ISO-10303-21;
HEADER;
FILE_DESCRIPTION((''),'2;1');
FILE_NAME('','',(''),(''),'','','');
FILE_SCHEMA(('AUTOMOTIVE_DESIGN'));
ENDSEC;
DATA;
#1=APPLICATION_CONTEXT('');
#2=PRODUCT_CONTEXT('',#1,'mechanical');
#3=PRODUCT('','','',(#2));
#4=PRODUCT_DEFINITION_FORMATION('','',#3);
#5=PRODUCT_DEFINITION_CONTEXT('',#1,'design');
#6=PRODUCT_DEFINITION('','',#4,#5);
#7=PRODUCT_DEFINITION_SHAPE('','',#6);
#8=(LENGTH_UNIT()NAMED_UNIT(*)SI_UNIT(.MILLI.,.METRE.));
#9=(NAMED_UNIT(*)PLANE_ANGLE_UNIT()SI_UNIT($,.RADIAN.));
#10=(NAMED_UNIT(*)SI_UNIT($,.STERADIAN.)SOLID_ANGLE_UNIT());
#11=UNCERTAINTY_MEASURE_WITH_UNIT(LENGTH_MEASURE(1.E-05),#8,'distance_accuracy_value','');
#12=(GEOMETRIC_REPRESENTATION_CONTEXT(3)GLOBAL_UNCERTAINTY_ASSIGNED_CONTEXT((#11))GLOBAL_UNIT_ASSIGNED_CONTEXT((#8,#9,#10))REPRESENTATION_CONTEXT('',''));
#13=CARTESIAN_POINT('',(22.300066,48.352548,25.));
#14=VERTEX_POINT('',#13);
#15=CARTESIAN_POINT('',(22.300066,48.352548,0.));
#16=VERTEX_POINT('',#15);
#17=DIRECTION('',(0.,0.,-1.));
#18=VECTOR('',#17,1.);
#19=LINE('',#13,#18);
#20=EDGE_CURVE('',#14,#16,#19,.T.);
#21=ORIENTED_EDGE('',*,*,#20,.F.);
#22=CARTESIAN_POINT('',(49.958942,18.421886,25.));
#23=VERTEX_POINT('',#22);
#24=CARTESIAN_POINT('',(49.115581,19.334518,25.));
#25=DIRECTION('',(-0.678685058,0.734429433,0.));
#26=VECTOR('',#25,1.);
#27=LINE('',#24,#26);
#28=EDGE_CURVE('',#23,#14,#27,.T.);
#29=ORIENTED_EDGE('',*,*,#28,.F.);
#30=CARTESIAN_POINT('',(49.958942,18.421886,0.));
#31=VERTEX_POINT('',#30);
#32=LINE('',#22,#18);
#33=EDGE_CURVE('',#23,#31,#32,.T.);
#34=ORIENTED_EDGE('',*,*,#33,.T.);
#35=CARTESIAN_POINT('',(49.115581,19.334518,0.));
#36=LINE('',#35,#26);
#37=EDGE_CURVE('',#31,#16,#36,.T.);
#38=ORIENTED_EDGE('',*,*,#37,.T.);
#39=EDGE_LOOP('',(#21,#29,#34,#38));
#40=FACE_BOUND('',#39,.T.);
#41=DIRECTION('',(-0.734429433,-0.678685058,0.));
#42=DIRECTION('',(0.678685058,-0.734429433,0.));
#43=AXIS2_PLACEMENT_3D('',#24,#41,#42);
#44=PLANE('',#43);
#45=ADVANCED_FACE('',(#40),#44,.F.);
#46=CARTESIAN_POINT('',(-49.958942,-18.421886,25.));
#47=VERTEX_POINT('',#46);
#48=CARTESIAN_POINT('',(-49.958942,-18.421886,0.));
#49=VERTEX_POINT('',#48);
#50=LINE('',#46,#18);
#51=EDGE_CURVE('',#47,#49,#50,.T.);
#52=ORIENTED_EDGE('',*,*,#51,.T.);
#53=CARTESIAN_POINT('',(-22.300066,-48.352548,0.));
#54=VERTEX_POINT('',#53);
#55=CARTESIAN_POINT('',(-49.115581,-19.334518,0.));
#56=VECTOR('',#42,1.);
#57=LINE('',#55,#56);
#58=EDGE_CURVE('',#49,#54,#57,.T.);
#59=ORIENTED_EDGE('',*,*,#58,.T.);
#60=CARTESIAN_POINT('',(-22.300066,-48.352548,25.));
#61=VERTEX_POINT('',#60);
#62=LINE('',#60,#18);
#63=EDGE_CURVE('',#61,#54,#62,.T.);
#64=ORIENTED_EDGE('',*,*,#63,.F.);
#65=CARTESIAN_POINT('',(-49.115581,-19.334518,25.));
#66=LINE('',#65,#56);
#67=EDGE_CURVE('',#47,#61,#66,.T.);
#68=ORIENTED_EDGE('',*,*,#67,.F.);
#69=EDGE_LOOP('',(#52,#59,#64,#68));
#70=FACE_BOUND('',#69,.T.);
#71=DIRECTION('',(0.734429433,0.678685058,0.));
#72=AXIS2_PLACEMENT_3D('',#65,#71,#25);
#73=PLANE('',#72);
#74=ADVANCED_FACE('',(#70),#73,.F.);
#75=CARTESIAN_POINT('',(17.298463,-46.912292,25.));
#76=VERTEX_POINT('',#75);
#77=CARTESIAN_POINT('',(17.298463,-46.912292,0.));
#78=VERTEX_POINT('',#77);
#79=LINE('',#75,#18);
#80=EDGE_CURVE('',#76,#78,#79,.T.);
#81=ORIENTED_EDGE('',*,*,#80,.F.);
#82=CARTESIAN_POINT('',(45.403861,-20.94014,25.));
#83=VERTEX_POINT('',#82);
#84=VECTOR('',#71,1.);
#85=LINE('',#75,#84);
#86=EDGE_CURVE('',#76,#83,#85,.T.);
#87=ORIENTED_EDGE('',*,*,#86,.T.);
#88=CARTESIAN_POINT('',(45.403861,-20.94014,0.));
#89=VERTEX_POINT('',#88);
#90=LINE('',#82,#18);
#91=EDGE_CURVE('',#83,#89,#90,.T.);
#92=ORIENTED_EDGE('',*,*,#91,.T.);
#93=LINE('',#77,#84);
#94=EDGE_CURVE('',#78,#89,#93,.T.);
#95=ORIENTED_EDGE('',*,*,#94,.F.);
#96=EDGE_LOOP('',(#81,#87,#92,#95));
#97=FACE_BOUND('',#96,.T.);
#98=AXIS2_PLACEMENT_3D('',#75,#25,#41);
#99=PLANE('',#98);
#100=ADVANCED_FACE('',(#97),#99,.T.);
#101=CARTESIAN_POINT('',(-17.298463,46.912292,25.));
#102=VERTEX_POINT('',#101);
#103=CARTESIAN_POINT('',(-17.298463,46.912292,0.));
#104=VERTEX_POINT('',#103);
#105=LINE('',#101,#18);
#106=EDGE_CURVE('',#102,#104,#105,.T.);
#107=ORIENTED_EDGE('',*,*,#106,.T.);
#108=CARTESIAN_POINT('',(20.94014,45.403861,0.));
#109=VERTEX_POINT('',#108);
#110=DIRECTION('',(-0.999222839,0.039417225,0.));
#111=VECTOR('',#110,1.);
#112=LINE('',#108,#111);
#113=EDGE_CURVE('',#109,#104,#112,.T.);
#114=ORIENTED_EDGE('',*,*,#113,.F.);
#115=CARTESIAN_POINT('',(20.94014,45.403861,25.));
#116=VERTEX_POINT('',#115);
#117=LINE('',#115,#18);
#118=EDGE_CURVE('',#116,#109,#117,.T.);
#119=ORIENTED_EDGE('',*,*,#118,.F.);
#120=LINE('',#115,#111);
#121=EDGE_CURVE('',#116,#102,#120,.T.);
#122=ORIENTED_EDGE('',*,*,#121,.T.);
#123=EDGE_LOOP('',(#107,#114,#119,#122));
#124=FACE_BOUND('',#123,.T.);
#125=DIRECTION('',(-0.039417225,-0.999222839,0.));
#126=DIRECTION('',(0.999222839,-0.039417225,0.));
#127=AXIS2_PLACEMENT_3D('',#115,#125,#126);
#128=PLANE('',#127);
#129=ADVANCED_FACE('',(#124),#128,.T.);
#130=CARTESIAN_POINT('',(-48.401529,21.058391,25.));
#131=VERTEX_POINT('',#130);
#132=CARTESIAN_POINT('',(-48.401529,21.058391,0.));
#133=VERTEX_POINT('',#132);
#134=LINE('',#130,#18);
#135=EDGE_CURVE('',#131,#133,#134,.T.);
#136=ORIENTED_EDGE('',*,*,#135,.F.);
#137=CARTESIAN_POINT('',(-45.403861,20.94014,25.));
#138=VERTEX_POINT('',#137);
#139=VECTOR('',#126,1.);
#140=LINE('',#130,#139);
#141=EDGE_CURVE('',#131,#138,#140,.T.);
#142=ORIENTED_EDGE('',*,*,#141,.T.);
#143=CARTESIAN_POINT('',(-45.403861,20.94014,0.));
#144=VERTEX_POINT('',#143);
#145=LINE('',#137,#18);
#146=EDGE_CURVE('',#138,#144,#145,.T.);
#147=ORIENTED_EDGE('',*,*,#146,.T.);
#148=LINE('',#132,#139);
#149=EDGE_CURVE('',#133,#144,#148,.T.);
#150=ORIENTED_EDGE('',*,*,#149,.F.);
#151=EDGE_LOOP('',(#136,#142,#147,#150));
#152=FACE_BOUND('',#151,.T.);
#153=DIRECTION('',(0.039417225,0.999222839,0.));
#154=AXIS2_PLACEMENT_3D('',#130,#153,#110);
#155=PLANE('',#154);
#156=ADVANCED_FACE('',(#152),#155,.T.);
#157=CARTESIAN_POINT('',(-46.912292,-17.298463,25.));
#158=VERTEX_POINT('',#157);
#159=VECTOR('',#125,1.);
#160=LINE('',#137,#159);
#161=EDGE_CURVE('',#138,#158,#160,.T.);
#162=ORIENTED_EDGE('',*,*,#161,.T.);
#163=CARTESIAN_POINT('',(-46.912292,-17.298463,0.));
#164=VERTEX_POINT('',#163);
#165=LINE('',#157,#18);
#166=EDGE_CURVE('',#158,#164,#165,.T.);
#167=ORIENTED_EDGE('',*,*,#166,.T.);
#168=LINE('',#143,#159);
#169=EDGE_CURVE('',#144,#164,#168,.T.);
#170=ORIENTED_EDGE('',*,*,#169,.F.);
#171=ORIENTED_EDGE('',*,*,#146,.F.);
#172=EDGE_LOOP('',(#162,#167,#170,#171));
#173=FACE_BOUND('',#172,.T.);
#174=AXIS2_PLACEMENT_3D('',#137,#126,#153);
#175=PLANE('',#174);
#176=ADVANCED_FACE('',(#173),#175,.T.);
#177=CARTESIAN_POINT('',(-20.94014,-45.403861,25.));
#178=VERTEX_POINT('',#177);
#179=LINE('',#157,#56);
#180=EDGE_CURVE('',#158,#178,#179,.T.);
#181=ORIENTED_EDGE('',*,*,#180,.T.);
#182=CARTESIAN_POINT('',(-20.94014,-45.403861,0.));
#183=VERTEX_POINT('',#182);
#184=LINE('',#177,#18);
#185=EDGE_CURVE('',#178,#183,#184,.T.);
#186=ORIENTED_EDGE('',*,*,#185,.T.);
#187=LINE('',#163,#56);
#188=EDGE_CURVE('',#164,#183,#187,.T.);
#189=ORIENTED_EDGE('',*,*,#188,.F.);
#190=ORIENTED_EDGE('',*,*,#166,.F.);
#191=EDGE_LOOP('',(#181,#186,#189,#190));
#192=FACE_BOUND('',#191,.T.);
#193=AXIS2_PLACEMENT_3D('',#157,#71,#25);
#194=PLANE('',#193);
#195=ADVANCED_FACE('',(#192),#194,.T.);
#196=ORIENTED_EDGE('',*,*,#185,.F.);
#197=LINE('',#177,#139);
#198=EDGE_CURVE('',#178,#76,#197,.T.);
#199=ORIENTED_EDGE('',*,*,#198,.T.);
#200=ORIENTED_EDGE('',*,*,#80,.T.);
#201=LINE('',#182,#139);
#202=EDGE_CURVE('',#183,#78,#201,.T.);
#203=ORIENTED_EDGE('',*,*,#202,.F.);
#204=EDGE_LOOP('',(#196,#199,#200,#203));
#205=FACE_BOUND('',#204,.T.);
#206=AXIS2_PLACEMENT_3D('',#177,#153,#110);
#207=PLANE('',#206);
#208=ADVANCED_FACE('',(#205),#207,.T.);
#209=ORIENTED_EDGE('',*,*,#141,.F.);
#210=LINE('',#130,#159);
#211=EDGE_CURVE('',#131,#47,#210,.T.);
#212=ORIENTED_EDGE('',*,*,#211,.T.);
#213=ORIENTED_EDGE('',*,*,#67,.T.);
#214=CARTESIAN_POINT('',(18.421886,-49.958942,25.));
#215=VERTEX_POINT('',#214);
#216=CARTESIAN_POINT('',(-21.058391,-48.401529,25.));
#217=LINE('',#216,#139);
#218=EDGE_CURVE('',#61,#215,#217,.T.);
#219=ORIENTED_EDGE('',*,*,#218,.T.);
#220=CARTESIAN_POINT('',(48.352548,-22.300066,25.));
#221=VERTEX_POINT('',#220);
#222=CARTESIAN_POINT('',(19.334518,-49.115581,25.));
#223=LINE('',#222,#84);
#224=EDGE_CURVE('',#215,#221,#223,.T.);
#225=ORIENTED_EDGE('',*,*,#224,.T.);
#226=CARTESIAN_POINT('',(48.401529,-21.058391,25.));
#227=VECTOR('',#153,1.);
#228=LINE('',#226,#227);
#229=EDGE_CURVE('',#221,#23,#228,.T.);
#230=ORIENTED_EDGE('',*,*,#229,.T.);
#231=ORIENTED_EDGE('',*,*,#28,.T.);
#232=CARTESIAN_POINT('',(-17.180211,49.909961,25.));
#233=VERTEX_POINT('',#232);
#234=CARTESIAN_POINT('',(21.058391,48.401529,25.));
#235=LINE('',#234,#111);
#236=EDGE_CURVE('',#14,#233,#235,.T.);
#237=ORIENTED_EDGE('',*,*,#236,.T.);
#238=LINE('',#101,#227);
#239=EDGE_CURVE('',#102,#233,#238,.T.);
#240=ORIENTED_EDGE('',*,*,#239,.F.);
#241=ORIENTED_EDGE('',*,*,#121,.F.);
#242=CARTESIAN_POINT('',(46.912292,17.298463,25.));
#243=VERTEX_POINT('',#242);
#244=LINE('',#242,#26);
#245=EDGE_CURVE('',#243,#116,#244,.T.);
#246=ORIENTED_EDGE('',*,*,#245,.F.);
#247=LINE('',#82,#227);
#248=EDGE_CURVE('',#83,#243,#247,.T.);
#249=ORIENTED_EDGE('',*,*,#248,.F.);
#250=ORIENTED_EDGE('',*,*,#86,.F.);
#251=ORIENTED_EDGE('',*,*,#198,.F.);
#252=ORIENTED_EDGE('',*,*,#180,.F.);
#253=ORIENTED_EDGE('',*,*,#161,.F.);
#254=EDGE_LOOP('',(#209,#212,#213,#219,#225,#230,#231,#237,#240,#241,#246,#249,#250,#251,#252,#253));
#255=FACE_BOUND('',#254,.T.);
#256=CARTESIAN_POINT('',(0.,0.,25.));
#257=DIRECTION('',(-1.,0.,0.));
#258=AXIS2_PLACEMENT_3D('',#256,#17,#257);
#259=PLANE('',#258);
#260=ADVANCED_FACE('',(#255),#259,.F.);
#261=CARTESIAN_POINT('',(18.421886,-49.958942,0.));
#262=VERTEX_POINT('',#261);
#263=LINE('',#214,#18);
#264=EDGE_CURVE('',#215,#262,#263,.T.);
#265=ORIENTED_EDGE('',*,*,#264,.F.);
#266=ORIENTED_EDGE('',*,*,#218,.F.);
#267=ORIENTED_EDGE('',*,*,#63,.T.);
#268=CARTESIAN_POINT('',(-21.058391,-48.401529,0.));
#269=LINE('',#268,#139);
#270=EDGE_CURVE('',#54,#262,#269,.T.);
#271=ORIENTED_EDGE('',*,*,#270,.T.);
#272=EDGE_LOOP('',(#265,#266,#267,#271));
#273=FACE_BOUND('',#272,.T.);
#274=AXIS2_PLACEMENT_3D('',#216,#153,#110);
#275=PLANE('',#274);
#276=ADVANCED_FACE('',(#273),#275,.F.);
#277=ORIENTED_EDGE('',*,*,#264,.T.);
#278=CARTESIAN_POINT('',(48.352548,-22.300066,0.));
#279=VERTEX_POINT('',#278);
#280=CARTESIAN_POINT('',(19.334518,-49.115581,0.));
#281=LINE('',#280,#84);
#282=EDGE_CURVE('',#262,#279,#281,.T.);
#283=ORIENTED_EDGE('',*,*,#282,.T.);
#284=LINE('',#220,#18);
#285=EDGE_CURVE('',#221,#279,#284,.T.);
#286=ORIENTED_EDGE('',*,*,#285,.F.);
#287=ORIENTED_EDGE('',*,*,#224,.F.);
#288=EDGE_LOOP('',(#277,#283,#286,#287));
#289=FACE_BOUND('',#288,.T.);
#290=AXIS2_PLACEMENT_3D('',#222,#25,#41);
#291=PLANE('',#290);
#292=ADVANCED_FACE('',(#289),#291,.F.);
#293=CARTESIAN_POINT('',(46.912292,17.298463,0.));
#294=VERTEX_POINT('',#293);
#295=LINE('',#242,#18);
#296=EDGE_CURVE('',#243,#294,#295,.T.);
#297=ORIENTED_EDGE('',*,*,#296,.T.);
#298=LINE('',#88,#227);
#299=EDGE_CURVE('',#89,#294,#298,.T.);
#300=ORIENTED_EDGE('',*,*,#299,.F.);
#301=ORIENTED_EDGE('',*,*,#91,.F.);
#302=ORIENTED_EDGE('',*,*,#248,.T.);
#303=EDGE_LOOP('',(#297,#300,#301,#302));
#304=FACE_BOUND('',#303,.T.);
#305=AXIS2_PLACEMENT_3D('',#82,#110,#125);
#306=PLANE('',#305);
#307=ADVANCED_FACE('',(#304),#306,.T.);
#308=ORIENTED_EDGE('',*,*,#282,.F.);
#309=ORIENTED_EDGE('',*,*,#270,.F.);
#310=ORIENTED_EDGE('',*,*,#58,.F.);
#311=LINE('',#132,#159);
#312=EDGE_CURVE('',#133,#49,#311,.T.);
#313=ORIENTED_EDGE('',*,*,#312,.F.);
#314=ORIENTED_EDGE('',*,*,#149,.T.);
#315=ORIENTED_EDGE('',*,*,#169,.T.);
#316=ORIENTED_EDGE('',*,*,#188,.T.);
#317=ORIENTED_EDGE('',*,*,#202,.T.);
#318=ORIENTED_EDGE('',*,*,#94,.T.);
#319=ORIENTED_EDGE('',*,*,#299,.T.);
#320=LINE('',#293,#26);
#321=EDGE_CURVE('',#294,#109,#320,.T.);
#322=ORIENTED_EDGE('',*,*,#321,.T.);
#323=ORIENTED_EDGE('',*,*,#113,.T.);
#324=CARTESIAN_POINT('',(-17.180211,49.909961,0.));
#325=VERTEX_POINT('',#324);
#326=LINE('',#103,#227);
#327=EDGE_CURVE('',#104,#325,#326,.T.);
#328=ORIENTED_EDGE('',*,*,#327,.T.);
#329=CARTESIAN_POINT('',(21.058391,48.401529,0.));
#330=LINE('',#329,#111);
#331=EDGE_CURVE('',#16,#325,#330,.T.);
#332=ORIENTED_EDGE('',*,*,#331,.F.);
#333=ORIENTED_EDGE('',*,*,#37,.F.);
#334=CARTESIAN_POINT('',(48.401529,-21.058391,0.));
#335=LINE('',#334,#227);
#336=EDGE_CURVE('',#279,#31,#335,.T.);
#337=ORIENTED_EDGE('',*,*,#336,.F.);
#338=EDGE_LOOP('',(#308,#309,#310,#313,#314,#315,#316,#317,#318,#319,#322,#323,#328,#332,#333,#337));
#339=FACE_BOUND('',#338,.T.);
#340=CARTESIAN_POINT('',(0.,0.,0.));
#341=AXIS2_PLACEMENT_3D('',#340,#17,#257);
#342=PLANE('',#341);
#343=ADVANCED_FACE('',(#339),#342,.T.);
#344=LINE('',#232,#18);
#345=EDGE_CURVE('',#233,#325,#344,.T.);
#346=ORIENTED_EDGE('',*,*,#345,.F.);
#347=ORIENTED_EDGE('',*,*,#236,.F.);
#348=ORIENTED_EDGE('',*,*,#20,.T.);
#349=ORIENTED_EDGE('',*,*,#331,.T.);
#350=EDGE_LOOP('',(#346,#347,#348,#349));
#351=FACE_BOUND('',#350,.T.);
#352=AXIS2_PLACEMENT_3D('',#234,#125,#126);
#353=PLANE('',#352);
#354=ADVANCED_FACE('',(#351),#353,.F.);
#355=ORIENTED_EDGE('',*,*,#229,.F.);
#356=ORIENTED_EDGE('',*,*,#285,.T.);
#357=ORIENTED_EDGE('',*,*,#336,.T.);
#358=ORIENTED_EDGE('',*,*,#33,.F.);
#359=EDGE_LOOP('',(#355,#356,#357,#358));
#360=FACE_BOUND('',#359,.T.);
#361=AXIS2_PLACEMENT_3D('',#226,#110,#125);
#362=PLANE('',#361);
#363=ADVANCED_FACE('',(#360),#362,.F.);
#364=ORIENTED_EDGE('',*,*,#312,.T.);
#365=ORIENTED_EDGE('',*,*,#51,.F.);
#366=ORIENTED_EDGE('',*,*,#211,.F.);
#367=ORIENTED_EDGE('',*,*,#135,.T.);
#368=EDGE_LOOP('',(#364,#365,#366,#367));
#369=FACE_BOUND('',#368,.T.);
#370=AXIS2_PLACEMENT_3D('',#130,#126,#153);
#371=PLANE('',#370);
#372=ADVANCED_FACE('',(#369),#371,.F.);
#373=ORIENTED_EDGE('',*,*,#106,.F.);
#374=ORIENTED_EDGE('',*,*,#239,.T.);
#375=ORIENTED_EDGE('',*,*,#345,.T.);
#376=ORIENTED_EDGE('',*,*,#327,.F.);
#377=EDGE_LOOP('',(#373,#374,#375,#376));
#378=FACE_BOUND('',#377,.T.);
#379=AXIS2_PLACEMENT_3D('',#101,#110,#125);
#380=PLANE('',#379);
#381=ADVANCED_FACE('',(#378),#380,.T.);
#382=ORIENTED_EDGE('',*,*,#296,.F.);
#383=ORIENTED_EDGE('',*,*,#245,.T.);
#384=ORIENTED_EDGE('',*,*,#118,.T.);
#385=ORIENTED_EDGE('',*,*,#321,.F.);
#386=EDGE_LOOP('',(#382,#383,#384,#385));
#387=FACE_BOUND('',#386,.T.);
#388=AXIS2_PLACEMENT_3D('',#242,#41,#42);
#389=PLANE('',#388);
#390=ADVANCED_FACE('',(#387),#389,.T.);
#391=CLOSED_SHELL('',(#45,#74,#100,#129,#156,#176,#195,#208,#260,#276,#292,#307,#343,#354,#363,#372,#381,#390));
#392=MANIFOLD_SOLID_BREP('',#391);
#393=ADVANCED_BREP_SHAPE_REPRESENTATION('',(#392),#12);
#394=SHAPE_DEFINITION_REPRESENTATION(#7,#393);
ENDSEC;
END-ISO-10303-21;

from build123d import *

# Parameters (mm, degrees)
EXTRUDE_THIN3_DEPTH = 25


with BuildPart() as part:
    # Sketch1 → Extrude-Thin3 (new body)
    with BuildSketch(Plane.XY):
        Polygon((-45.403860527, 20.940139667), (-46.912292428, -17.298462913), (-20.940139667, -45.403860527), (17.298462913, -46.912292428), (45.403860527, -20.940139667), (46.912292428, 17.298462913), (20.940139667, 45.403860527), (-17.298462913, 46.912292428), (-17.180211238, 49.909960945), (22.300066297, 48.352547597), (49.958942393, 18.421886194), (48.352547597, -22.300066297), (18.421886194, -49.958942393), (-22.300066297, -48.352547597), (-49.958942393, -18.421886194), (-48.401529044, 21.058391342), align=None)
    extrude(amount=EXTRUDE_THIN3_DEPTH)


solid = part.part
